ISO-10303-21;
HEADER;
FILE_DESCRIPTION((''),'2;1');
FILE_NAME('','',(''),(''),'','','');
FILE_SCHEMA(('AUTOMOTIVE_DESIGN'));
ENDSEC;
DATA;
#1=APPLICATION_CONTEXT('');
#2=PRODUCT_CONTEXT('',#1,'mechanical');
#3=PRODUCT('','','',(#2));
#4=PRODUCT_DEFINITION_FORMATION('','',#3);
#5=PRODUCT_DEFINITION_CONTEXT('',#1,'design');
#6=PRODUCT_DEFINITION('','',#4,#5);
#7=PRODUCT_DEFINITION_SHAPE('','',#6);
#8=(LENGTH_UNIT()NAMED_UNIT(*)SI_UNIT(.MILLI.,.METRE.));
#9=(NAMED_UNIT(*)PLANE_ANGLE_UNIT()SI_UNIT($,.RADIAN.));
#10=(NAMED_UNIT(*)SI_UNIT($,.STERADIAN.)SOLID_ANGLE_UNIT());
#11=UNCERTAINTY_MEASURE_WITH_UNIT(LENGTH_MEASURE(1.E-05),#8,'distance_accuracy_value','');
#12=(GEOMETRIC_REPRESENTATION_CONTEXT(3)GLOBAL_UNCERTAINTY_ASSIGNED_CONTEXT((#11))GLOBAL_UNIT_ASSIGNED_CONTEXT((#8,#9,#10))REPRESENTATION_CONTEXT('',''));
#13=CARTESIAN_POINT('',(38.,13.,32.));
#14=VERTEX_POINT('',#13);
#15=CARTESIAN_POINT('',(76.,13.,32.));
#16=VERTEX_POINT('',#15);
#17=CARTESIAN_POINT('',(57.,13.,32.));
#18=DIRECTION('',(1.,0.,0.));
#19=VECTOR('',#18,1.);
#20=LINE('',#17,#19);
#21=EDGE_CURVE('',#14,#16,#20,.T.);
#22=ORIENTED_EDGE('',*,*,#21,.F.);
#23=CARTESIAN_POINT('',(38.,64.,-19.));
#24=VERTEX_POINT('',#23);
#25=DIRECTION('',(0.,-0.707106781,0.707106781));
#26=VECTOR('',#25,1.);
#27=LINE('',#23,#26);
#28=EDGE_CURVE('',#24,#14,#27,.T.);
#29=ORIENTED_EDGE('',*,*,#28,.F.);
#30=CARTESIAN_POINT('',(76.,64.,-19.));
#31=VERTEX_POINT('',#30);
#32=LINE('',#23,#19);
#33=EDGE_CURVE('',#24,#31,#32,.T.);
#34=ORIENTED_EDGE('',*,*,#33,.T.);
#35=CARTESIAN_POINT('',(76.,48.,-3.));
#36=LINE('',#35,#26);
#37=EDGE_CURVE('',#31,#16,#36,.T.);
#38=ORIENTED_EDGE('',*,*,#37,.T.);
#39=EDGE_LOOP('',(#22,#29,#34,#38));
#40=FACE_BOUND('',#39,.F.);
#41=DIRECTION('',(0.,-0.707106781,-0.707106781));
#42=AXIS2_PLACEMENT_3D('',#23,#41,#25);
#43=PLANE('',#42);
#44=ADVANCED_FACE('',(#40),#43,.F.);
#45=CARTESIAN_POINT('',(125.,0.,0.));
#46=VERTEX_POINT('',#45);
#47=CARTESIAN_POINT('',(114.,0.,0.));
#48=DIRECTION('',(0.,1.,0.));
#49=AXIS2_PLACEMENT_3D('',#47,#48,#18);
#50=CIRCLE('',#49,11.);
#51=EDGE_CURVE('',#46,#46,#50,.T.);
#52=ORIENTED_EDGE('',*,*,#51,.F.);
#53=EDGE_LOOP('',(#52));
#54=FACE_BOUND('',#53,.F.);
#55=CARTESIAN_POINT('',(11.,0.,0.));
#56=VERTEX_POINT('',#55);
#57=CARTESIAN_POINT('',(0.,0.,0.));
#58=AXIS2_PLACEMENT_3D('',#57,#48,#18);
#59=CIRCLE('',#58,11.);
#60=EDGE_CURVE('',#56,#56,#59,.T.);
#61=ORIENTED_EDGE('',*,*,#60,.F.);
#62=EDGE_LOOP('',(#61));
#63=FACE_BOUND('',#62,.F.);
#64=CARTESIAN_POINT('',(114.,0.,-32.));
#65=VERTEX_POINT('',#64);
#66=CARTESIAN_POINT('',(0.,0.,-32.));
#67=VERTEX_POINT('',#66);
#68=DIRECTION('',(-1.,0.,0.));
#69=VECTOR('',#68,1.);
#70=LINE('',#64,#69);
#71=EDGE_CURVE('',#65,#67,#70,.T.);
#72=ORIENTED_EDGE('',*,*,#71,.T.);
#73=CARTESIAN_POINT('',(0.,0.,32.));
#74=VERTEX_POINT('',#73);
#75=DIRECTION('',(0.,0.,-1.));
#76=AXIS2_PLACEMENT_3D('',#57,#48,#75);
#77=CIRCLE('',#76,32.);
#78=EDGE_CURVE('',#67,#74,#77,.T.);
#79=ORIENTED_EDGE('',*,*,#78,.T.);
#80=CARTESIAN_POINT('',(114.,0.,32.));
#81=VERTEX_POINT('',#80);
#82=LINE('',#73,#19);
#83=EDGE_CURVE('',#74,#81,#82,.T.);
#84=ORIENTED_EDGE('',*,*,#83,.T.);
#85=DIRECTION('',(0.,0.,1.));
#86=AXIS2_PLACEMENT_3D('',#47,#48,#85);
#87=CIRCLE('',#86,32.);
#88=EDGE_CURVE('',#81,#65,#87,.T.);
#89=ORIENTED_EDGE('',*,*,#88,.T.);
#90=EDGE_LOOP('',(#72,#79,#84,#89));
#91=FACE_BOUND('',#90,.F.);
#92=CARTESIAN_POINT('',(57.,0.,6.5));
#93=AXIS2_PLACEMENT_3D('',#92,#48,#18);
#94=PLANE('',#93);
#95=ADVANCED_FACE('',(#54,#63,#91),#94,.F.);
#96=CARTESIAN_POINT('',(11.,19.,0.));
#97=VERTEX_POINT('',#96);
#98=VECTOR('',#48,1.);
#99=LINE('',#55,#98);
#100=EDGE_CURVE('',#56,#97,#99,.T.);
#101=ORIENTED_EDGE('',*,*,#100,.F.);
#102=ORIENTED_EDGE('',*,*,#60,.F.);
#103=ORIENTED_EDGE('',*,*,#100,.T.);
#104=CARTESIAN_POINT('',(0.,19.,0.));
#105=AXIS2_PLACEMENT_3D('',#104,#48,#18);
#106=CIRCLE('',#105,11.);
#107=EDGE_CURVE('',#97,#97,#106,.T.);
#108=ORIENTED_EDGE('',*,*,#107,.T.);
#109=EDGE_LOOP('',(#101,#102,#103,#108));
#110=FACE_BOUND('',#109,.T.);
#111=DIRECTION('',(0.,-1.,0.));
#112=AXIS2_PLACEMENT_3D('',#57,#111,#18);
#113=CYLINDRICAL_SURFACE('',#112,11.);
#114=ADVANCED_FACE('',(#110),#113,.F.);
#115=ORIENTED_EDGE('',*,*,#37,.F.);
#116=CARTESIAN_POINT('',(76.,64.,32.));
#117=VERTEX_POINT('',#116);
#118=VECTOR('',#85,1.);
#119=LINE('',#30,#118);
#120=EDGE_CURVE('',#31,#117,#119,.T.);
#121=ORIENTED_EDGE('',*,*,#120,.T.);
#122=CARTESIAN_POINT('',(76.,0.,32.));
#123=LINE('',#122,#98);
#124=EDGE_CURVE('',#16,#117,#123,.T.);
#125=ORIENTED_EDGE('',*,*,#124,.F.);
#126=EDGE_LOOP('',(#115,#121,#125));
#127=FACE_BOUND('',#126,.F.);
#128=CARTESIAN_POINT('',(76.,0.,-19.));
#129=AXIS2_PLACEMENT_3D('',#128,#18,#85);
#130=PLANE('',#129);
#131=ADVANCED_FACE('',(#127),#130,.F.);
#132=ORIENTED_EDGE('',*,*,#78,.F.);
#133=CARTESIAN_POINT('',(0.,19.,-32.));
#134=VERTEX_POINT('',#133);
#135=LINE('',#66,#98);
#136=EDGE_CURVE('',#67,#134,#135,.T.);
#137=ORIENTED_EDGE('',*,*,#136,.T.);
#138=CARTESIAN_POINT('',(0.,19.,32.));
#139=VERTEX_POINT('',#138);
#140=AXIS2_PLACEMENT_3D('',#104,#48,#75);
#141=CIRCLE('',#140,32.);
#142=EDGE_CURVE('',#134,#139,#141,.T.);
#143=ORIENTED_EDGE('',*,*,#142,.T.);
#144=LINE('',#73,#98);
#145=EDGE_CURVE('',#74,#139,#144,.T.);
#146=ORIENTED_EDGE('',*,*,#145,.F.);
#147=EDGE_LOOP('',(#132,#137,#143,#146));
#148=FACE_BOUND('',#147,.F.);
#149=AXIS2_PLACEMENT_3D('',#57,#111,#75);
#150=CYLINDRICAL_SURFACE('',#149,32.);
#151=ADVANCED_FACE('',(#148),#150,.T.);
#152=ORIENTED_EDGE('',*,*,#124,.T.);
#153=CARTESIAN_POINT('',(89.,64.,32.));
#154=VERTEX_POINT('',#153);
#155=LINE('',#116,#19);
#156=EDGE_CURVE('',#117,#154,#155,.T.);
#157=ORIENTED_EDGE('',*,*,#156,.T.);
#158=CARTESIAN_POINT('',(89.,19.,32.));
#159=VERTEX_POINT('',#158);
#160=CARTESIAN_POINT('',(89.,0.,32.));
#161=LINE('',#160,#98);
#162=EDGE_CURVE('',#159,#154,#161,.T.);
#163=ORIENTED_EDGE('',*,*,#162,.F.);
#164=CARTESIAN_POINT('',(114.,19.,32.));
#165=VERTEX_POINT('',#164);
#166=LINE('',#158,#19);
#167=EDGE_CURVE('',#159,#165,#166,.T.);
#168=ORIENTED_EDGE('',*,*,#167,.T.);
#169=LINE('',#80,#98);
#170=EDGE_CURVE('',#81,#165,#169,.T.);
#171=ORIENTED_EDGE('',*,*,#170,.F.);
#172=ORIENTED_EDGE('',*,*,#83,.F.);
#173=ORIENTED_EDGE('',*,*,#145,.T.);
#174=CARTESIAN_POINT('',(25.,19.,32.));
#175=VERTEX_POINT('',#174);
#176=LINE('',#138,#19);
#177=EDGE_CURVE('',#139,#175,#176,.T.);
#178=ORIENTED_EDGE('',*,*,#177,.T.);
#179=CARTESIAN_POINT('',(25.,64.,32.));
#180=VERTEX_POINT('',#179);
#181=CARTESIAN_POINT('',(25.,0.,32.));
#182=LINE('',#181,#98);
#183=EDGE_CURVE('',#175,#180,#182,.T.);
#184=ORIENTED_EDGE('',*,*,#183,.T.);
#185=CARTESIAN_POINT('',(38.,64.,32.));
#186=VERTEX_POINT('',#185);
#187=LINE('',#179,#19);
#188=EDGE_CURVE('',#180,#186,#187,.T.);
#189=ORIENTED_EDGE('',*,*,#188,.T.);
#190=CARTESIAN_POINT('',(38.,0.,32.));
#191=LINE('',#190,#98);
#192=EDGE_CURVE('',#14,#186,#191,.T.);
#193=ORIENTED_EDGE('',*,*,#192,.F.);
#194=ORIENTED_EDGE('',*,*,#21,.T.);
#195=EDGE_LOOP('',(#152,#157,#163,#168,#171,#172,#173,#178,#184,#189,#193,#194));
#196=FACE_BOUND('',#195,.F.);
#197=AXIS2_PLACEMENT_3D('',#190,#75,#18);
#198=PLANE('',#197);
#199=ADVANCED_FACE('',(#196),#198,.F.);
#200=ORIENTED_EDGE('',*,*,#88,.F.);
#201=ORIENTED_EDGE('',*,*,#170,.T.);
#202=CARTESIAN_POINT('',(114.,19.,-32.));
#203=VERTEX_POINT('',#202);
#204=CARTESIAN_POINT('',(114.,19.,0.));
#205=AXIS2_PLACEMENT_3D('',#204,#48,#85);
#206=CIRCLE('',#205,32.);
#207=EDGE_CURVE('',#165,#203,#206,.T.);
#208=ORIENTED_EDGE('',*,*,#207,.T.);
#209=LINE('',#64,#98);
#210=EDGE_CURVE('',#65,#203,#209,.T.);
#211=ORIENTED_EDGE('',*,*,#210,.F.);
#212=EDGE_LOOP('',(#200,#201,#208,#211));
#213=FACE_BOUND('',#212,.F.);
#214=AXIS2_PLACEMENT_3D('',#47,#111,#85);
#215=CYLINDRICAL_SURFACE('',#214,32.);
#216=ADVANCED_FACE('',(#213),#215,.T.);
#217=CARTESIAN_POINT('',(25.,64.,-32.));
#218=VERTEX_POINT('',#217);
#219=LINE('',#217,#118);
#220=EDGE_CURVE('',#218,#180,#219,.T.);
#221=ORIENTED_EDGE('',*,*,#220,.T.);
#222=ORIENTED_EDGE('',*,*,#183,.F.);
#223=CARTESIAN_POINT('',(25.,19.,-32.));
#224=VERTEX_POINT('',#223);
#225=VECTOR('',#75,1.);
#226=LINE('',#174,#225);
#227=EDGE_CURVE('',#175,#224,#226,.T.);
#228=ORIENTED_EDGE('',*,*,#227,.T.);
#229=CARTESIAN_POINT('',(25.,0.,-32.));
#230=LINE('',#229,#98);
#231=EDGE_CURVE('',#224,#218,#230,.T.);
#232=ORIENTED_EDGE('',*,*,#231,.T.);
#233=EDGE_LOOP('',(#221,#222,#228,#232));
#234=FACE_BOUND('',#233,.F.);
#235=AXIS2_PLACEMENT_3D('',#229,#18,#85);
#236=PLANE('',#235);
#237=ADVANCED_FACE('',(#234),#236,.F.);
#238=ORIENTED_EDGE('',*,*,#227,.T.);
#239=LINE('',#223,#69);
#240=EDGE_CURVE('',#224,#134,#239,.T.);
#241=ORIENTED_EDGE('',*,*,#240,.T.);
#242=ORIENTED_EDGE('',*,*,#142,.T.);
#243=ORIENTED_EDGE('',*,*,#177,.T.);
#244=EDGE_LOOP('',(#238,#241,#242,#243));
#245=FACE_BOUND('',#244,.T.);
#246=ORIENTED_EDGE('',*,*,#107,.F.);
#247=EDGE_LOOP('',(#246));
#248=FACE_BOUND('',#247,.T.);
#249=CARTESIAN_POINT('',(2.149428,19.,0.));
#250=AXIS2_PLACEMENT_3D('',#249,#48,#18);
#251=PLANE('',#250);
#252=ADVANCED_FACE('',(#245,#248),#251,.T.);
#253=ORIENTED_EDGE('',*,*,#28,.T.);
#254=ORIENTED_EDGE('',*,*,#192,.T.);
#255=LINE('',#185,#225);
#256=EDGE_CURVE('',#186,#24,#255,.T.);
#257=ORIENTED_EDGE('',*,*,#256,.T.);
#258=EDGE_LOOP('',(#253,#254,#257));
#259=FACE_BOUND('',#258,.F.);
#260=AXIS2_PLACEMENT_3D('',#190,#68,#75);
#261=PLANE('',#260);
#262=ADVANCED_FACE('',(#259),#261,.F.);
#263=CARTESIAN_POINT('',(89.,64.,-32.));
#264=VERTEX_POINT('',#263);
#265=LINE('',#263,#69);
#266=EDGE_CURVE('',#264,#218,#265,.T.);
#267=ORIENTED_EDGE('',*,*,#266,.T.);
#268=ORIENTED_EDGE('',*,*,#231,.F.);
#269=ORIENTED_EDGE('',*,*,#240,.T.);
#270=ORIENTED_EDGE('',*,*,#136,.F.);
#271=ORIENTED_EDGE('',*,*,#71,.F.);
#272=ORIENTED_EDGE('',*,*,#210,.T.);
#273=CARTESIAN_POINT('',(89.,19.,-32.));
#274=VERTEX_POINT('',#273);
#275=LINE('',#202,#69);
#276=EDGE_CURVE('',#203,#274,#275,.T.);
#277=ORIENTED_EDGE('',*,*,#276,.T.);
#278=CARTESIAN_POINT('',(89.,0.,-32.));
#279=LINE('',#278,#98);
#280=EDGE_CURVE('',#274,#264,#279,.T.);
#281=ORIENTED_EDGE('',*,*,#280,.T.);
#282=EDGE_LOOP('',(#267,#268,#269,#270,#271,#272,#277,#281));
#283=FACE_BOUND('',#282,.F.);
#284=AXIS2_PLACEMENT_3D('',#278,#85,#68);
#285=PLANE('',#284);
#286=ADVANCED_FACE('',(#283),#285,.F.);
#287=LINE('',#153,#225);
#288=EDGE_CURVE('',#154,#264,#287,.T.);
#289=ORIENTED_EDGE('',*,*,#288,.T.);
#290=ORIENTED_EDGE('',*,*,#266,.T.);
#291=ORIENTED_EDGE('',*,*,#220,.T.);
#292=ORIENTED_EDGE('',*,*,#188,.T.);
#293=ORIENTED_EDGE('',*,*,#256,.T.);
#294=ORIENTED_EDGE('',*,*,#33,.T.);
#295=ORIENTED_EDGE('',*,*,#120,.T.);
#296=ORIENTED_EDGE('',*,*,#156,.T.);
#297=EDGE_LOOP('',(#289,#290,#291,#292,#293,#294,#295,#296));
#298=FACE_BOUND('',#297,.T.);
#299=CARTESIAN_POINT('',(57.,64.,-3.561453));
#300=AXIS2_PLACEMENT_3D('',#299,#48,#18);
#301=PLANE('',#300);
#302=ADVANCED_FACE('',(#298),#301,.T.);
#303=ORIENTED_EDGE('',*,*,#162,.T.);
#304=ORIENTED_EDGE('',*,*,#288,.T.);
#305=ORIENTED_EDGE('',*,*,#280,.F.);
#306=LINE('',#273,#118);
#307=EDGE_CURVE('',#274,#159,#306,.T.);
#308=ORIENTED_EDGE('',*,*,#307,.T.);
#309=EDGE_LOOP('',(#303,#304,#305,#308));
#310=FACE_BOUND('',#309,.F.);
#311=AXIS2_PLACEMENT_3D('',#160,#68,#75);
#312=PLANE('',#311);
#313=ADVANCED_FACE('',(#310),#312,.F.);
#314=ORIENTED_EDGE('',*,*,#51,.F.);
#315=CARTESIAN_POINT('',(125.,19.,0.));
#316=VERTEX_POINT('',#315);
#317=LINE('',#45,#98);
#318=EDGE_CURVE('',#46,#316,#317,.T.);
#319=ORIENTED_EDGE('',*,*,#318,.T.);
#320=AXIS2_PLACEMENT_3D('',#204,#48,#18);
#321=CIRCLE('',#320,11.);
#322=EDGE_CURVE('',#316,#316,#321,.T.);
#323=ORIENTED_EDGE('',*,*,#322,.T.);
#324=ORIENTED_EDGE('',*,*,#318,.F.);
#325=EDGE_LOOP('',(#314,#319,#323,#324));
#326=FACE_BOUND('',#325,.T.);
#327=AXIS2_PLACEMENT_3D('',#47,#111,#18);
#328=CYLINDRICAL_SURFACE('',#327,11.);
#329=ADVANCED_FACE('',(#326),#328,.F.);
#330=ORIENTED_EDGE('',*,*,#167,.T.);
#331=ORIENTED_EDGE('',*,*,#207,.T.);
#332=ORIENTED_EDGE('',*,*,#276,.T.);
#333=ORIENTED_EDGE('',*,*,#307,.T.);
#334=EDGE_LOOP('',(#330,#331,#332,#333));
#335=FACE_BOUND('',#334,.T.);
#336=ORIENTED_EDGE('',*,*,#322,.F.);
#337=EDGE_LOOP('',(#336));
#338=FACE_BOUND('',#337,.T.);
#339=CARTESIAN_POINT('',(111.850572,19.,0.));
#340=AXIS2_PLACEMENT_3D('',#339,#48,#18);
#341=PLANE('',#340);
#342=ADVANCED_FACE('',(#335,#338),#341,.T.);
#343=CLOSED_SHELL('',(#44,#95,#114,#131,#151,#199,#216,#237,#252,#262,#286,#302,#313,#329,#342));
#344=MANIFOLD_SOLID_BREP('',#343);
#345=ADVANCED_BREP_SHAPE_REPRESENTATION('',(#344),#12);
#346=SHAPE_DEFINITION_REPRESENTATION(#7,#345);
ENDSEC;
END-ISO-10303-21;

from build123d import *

# Parameters (mm, degrees)
SKETCH1_R             = 11
BOSS_EXTRUDE1_DEPTH   = 19
BOSS_EXTRUDE1_2_DEPTH = 19
BOSS_EXTRUDE2_DEPTH   = 64
SKETCH1_4_W           = 38
SKETCH1_4_H           = 51
BOSS_EXTRUDE3_DEPTH   = 13
BOSS_EXTRUDE4_REACH   = 131.553


with BuildPart() as part:
    # Sketch1 → Boss-Extrude1 (new body)
    with BuildSketch(Plane(origin=(0, 0, 0), x_dir=(1, 0, 0), z_dir=(0, 1, 0))):
        with BuildLine():
            Line((25, 32), (0, 32))
            ThreePointArc((0, 32), (-32, 0), (0, -32))
            Line((0, -32), (25, -32))
            Line((25, -32), (25, 32))
        make_face()
        Circle(SKETCH1_R, mode=Mode.SUBTRACT)
    extrude(amount=BOSS_EXTRUDE1_DEPTH)



with BuildPart() as body_2:
    # Sketch1 → Boss-Extrude1 2 (new body)
    with BuildSketch(Plane(origin=(0, 0, 0), x_dir=(1, 0, 0), z_dir=(0, 1, 0))):
        with BuildLine():
            Line((114, 32), (89, 32))
            Line((89, 32), (89, -32))
            Line((89, -32), (114, -32))
            ThreePointArc((114, -32), (146, 0), (114, 32))
        make_face()
        with Locations((114, 0)):
            Circle(SKETCH1_R, mode=Mode.SUBTRACT)
    extrude(amount=BOSS_EXTRUDE1_2_DEPTH)


with BuildPart() as part_1:
    add(part.part)

    add(body_2.part)  # Boss-Extrude2 merges body 2
    # Sketch1<3> → Boss-Extrude2 (add)
    with BuildSketch(Plane(origin=(0, 0, 0), x_dir=(1, 0, 0), z_dir=(0, 1, 0))):
        Polygon((89, 32), (25, 32), (25, -32), (38, -32), (38, 19), (76, 19), (76, -32), (89, -32), align=None)
    extrude(amount=BOSS_EXTRUDE2_DEPTH)

    # Sketch1<4> → Boss-Extrude3 (add)
    with BuildSketch(Plane(origin=(0, 0, 0), x_dir=(1, 0, 0), z_dir=(0, 1, 0))):
        with Locations((57, -6.5)):
            Rectangle(SKETCH1_4_W, SKETCH1_4_H)
    extrude(amount=BOSS_EXTRUDE3_DEPTH)

    # Sketch3 → Boss-Extrude4 (add, up to next)
    with BuildSketch(Plane(origin=(38, 0, 0), x_dir=(0, 0, -1), z_dir=(1, 0, 0)), mode=Mode.PRIVATE) as boss_extrude4_sk1:
        Polygon((19, 64), (-32, 13), (19, 13), align=None)
    boss_extrude4_tool1 = extrude(boss_extrude4_sk1.sketch, amount=BOSS_EXTRUDE4_REACH, mode=Mode.PRIVATE) - part_1.part
    add(boss_extrude4_tool1.solids().sort_by_distance((38, 30, -2))[0])


solid = part_1.part
